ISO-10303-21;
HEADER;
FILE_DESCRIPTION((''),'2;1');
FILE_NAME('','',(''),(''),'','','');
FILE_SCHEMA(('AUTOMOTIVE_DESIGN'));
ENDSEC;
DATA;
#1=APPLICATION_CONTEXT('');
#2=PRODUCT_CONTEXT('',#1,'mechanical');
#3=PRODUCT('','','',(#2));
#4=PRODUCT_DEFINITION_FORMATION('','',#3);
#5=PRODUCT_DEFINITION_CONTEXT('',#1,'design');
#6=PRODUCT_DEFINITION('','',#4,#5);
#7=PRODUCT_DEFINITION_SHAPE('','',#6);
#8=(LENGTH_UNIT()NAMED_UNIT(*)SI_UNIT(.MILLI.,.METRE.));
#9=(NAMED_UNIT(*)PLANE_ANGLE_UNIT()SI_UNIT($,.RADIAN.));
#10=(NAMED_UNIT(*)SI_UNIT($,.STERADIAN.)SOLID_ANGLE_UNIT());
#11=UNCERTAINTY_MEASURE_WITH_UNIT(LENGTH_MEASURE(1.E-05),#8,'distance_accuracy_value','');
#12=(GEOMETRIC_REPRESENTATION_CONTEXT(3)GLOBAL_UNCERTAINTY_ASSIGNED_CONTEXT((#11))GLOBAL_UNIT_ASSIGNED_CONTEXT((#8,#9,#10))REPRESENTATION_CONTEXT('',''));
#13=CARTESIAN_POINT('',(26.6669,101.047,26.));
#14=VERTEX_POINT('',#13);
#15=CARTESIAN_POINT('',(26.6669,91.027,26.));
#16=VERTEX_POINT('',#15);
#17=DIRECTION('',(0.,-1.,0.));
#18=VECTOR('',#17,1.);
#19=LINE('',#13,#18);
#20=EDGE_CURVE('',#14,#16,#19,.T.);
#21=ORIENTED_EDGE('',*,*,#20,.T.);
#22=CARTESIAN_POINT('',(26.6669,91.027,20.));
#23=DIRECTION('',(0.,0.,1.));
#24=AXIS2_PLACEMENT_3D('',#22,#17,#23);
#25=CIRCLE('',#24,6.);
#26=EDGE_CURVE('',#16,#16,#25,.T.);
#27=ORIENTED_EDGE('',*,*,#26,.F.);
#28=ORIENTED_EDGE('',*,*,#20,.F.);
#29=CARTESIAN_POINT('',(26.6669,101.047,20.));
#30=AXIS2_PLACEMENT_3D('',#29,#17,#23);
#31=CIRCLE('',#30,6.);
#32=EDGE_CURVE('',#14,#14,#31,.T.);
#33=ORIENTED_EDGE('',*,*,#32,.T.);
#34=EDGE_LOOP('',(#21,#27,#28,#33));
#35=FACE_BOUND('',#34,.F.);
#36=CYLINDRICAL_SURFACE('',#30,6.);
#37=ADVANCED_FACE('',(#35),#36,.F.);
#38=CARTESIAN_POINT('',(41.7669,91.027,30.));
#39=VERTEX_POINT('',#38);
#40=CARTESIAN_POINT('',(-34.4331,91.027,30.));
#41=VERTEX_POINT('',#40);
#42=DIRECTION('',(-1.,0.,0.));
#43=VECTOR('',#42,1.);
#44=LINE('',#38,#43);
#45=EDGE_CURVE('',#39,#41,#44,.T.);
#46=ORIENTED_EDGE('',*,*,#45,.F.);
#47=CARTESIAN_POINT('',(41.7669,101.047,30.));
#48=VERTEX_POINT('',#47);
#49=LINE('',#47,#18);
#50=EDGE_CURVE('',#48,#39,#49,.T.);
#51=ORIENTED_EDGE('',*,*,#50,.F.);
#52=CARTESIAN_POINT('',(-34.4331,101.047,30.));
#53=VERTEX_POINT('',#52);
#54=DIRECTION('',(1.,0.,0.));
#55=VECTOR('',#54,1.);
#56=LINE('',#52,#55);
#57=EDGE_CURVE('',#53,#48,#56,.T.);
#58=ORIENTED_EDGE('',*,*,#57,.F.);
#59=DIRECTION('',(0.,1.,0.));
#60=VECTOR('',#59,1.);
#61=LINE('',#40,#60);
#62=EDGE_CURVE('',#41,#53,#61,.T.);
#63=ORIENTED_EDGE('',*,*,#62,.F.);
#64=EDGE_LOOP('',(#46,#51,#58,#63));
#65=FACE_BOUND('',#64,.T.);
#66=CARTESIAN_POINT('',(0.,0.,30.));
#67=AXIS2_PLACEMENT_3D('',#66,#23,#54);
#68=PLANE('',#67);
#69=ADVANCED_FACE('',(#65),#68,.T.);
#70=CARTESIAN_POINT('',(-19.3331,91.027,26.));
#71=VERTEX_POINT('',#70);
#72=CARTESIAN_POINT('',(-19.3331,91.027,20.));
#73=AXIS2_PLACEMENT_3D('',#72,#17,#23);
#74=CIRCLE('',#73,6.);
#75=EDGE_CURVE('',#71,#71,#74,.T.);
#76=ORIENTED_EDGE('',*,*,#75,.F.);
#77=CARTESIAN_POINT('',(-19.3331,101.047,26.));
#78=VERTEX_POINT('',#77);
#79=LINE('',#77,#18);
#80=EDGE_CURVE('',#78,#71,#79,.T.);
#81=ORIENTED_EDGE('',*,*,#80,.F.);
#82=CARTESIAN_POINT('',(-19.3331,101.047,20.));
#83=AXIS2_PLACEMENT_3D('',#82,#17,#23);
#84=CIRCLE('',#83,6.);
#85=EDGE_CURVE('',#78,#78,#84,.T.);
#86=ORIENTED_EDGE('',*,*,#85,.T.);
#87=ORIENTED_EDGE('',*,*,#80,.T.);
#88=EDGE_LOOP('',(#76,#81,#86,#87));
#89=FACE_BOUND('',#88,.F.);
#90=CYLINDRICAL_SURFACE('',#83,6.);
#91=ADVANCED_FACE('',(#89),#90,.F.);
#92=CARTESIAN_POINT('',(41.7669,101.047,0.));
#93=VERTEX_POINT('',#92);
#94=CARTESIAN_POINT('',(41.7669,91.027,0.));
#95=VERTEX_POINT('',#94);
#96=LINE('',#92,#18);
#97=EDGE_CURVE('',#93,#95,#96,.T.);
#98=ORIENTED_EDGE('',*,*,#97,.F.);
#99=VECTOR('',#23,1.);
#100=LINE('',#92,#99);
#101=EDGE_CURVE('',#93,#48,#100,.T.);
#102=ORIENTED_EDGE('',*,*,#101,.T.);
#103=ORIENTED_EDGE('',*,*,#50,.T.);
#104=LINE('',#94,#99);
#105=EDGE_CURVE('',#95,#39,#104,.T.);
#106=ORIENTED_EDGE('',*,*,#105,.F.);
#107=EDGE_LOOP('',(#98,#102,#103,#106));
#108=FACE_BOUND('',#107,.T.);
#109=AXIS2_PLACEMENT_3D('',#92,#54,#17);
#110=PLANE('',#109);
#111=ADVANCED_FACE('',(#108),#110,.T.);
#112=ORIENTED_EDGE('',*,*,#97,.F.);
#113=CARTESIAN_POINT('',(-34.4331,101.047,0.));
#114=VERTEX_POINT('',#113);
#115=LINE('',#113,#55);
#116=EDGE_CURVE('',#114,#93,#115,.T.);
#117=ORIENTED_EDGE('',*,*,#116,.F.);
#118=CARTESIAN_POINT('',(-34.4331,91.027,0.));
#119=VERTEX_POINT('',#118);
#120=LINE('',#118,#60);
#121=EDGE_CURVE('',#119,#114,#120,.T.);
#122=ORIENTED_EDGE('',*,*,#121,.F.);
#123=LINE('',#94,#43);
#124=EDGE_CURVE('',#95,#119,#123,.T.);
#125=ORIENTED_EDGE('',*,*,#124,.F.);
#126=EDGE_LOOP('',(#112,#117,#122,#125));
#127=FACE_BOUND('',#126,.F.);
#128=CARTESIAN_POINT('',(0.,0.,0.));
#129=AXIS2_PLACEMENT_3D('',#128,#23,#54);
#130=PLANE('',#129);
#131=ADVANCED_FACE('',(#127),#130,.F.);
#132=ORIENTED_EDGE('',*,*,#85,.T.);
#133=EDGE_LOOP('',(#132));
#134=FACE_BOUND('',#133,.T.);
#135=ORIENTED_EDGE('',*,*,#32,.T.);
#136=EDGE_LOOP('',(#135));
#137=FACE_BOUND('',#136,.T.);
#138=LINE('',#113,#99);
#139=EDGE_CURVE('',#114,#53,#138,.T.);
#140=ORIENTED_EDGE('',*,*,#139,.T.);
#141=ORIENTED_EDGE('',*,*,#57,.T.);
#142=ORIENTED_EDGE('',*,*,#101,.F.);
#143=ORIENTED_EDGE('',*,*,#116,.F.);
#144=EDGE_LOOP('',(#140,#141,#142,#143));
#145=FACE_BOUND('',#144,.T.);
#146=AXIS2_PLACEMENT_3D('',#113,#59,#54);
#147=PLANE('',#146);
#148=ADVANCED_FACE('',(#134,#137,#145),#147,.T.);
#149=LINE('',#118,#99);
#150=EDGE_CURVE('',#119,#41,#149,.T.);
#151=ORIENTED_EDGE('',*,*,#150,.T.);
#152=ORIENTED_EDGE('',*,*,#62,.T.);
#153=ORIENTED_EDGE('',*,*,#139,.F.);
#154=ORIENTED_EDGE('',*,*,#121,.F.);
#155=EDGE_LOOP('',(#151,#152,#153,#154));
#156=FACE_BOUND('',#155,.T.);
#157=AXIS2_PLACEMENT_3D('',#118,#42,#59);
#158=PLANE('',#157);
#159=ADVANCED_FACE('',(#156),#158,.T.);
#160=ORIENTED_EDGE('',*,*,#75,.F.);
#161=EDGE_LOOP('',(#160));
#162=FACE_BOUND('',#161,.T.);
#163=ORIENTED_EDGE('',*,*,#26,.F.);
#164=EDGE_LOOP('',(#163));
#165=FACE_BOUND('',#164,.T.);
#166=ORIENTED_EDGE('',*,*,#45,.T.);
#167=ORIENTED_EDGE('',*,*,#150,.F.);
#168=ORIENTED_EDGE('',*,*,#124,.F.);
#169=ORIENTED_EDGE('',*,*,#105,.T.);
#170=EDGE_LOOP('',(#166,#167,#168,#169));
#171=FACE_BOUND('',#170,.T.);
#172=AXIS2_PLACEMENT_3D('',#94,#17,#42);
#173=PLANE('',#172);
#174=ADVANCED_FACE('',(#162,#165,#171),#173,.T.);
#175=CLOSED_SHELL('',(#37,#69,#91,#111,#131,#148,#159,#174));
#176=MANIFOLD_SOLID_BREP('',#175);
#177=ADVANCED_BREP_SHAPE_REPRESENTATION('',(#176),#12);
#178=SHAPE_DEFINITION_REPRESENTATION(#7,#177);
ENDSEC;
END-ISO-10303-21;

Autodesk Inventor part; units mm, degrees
ref_plane "YZ Plane" through (0, 0, 0) normal (1, 0, 0) x (0, 1, 0)
ref_plane "XZ Plane" through (0, 0, 0) normal (0, 1, 0) x (-1, 0, 0)
ref_plane "XY Plane" through (0, 0, 0) normal (0, 0, 1) x (1, 0, 0)
sketch "Esboço1" plane through (0, 0, 0) normal (0, 0, 1) x (1, 0, 0)
  line L0 (-34.4331, 101.047) -> (41.7669, 101.047)
  line L1 (41.7669, 101.047) -> (41.7669, 91.027)
  line L2 (41.7669, 91.027) -> (-34.4331, 91.027)
  line L3 (-34.4331, 91.027) -> (-34.4331, 101.047)
  point P0 (0, 0)
  dimension "d0" = 76.2
  dimension "d1" = 10.02
extrude "Extrusão1" add sketch "Esboço1" along normal blind 30
sketch "Esboço2" plane through (-34.4331, 101.047, 0) normal (0, 1, 0) x (1, 0, 0)
  line L0 (76.2, 0) -> (76.2, -30) projected
  line L1 (76.2, -20) -> (0, -20)
  line L2 (0, 0) -> (0, -30) projected
  line L3 (0, 0) -> (76.2, 0) projected
  line L4 (38.1, -40) -> (38.1, 0)
  circle A0 centre (61.1, -20) radius 6.7139
  circle A1 centre (15.1, -20) radius 6.7459
  point P0 (34.4331, 0)
  dimension "d4" = 20
  dimension "d5" = 23
  dimension "d6" = 23
hole "Furo1" at (26.6669, 101.047, 20) at (-19.3331, 101.047, 20) direction (0, -1, 0) diameter 12 end through all
equation "\"d6\" = d5"
equation "\"d12\" = 0.5 * d1"
properties part number "SuporteGuiasCabeçasAquecimento"
